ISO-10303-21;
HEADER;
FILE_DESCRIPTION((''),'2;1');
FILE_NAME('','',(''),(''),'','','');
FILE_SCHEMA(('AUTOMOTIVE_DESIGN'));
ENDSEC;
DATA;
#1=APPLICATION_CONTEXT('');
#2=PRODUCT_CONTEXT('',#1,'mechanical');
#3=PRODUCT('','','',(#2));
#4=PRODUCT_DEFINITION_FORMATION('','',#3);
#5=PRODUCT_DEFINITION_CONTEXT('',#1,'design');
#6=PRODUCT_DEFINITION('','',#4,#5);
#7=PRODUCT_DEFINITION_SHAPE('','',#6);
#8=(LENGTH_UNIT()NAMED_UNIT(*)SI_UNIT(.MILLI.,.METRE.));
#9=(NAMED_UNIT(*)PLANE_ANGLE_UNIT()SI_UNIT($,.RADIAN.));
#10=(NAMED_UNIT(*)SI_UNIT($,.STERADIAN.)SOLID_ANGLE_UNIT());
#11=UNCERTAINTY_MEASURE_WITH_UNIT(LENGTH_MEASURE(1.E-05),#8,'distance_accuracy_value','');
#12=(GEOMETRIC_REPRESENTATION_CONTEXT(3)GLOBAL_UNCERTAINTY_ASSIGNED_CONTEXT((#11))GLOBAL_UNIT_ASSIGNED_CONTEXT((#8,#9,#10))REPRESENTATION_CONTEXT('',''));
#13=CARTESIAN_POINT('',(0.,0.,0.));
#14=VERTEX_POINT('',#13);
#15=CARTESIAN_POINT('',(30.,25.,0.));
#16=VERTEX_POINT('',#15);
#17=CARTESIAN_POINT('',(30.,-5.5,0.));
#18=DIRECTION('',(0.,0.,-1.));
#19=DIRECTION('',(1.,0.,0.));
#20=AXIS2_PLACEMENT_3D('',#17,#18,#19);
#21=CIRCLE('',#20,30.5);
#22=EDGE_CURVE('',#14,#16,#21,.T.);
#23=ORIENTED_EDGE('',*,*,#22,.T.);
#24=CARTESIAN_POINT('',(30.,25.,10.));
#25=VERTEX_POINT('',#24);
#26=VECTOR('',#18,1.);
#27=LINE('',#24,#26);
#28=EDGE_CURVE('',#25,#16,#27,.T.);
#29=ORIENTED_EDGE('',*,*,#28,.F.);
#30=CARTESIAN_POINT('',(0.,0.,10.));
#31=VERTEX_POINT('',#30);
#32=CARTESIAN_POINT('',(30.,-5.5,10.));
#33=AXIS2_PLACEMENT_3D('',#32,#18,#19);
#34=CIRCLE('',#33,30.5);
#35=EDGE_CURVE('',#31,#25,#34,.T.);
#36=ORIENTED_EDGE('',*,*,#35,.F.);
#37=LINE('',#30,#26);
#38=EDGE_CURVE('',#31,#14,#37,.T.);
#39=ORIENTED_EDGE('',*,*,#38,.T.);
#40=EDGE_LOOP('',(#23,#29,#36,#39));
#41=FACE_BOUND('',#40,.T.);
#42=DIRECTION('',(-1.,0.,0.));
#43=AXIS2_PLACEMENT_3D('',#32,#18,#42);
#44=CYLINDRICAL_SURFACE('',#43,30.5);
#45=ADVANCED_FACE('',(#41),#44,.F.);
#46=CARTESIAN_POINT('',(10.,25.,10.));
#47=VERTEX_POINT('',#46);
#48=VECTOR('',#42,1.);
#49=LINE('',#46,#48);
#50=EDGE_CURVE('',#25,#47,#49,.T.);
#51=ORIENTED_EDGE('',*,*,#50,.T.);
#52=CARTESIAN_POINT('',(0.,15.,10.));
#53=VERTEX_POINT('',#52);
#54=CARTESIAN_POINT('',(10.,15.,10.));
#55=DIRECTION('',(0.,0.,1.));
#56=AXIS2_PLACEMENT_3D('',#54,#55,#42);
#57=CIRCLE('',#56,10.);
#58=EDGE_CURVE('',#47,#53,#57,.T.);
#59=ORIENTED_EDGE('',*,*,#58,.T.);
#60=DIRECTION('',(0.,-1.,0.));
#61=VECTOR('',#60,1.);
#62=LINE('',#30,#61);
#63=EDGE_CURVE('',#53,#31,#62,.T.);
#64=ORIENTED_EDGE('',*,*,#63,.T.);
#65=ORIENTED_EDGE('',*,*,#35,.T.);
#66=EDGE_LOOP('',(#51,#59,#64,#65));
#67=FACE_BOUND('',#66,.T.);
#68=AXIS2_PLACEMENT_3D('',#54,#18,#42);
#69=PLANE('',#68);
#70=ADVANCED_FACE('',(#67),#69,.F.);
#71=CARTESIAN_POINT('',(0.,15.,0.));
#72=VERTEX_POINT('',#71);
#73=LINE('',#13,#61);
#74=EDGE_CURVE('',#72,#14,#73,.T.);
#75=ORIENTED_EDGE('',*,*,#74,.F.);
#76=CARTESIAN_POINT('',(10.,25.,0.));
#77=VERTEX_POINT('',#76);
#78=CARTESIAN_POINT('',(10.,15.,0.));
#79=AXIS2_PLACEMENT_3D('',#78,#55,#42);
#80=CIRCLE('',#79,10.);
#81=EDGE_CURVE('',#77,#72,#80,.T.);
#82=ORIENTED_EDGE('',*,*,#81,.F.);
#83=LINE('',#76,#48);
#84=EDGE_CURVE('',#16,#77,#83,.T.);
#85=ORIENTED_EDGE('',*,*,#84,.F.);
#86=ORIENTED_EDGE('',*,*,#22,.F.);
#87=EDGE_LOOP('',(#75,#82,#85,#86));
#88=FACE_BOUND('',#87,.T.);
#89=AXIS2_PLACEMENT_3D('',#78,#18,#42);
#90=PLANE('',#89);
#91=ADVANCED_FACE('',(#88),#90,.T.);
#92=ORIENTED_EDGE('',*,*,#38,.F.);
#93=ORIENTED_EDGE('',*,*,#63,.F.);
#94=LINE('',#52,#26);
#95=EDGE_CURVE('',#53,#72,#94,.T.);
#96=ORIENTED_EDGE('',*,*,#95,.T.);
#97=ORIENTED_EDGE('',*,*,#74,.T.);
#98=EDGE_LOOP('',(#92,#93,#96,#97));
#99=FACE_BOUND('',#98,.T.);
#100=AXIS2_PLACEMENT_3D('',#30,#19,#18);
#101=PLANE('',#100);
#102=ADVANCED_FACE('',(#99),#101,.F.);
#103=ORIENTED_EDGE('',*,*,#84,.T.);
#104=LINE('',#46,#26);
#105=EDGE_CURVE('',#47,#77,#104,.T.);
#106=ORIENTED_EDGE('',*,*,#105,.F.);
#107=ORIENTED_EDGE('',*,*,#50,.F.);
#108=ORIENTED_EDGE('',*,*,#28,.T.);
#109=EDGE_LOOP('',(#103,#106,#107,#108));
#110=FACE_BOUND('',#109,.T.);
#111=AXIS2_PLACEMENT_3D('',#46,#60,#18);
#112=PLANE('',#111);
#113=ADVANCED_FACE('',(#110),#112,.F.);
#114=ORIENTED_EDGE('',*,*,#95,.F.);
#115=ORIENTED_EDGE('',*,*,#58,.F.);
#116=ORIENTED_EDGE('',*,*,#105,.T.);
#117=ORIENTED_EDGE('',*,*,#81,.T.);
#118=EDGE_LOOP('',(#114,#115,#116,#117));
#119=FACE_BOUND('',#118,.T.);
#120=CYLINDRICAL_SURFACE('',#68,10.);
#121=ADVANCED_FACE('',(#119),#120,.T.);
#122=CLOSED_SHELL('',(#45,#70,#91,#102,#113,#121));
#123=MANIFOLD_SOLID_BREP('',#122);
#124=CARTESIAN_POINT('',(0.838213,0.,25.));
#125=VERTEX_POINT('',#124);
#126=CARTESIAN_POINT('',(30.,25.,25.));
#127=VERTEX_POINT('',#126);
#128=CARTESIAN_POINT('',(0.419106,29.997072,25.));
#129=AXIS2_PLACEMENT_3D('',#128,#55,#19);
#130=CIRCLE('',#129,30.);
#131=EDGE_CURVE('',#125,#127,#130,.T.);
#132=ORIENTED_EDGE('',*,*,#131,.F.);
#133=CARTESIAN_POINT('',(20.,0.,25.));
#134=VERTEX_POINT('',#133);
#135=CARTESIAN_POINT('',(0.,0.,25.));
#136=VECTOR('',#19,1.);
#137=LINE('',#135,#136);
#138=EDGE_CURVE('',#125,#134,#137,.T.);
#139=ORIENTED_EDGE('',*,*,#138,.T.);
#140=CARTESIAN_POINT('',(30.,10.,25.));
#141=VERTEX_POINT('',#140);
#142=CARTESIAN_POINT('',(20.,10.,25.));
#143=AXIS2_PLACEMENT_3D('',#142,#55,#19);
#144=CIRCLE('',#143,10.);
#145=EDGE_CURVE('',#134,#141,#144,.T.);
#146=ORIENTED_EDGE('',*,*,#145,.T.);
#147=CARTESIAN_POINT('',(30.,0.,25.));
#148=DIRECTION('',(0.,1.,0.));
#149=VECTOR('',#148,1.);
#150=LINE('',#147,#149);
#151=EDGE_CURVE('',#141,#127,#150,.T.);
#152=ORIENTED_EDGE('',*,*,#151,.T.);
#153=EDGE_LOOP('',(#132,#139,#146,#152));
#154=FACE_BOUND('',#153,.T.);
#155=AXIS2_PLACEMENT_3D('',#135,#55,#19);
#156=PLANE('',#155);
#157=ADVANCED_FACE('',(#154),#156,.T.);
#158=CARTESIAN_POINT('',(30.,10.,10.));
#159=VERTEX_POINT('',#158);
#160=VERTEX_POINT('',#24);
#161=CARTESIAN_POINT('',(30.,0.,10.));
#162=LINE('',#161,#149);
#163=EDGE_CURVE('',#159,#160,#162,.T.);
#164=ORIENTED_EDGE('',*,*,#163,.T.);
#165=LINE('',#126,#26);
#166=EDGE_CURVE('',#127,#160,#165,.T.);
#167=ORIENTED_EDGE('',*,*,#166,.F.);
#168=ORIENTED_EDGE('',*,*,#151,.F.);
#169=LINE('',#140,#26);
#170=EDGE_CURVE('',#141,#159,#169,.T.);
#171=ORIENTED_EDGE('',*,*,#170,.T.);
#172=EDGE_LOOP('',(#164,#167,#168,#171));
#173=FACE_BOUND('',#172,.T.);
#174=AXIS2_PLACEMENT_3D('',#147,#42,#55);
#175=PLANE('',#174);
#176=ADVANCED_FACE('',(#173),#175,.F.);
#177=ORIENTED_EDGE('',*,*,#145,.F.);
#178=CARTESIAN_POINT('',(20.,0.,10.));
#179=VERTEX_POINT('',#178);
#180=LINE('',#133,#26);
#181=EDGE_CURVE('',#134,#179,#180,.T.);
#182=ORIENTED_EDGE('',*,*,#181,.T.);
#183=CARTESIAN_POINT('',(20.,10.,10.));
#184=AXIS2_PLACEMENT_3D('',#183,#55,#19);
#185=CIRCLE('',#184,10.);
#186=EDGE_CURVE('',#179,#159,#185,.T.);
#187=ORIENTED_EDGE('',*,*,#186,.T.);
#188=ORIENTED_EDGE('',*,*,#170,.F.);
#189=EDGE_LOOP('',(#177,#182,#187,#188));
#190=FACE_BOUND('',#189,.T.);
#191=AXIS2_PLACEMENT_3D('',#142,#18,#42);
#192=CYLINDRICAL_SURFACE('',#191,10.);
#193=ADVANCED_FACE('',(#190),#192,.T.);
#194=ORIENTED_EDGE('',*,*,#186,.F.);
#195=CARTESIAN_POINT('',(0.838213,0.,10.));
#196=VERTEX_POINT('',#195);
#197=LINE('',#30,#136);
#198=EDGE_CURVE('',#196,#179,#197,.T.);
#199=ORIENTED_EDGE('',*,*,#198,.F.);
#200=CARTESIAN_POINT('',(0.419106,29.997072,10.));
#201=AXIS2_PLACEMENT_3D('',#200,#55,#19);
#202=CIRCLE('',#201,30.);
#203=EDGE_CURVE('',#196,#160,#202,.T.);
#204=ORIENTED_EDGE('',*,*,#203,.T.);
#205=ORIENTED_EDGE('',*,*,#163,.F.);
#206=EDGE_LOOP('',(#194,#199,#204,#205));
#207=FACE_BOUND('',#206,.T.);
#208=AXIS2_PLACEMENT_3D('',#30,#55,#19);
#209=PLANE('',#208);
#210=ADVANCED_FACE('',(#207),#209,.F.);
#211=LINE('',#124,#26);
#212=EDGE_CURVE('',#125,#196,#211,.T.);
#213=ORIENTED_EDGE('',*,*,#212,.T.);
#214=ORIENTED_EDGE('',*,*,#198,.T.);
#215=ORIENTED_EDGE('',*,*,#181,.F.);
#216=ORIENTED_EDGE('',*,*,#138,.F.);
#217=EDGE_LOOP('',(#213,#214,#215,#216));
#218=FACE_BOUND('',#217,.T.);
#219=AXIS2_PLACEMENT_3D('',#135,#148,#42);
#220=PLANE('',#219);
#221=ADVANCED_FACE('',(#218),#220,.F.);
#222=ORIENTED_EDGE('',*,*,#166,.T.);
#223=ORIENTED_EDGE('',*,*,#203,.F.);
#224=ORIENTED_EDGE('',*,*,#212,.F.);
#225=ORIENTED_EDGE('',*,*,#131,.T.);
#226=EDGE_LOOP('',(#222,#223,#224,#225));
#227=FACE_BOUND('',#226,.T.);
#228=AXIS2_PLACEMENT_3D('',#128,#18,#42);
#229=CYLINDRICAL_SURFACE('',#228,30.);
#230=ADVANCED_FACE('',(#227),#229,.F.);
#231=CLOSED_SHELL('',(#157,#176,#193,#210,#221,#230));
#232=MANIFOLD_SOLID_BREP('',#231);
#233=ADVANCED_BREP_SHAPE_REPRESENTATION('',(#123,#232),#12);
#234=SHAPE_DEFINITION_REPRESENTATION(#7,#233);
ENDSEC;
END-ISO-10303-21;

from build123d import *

# Parameters (mm, degrees)
BOSS_EXTRUDE3_DEPTH = 10
BOSS_EXTRUDE4_DEPTH = 15


with BuildPart() as part:
    # Sketch1 → Boss-Extrude3 (new body)
    with BuildSketch(Plane.XY):
        with BuildLine():
            Line((10, 25), (30, 25))
            ThreePointArc((30, 25), (10.47437581, 17.930749028), (0, 0))
            Line((0, 0), (0, 15))
            ThreePointArc((0, 15), (2.928932188, 22.071067812), (10, 25))
        make_face()
    extrude(amount=BOSS_EXTRUDE3_DEPTH)


with BuildPart() as body_2:
    # Sketch4 → Boss-Extrude4 (new body)
    with BuildSketch(Plane.XY.offset(10)):
        with BuildLine():
            ThreePointArc((30, 25), (19.944730561, 7.220988407), (0.838212742, 0))
            Line((0.838212742, 0), (20, 0))
            ThreePointArc((20, 0), (27.071067812, 2.928932188), (30, 10))
            Line((30, 10), (30, 25))
        make_face()
    extrude(amount=BOSS_EXTRUDE4_DEPTH)


solid = Compound([part.part, body_2.part])
